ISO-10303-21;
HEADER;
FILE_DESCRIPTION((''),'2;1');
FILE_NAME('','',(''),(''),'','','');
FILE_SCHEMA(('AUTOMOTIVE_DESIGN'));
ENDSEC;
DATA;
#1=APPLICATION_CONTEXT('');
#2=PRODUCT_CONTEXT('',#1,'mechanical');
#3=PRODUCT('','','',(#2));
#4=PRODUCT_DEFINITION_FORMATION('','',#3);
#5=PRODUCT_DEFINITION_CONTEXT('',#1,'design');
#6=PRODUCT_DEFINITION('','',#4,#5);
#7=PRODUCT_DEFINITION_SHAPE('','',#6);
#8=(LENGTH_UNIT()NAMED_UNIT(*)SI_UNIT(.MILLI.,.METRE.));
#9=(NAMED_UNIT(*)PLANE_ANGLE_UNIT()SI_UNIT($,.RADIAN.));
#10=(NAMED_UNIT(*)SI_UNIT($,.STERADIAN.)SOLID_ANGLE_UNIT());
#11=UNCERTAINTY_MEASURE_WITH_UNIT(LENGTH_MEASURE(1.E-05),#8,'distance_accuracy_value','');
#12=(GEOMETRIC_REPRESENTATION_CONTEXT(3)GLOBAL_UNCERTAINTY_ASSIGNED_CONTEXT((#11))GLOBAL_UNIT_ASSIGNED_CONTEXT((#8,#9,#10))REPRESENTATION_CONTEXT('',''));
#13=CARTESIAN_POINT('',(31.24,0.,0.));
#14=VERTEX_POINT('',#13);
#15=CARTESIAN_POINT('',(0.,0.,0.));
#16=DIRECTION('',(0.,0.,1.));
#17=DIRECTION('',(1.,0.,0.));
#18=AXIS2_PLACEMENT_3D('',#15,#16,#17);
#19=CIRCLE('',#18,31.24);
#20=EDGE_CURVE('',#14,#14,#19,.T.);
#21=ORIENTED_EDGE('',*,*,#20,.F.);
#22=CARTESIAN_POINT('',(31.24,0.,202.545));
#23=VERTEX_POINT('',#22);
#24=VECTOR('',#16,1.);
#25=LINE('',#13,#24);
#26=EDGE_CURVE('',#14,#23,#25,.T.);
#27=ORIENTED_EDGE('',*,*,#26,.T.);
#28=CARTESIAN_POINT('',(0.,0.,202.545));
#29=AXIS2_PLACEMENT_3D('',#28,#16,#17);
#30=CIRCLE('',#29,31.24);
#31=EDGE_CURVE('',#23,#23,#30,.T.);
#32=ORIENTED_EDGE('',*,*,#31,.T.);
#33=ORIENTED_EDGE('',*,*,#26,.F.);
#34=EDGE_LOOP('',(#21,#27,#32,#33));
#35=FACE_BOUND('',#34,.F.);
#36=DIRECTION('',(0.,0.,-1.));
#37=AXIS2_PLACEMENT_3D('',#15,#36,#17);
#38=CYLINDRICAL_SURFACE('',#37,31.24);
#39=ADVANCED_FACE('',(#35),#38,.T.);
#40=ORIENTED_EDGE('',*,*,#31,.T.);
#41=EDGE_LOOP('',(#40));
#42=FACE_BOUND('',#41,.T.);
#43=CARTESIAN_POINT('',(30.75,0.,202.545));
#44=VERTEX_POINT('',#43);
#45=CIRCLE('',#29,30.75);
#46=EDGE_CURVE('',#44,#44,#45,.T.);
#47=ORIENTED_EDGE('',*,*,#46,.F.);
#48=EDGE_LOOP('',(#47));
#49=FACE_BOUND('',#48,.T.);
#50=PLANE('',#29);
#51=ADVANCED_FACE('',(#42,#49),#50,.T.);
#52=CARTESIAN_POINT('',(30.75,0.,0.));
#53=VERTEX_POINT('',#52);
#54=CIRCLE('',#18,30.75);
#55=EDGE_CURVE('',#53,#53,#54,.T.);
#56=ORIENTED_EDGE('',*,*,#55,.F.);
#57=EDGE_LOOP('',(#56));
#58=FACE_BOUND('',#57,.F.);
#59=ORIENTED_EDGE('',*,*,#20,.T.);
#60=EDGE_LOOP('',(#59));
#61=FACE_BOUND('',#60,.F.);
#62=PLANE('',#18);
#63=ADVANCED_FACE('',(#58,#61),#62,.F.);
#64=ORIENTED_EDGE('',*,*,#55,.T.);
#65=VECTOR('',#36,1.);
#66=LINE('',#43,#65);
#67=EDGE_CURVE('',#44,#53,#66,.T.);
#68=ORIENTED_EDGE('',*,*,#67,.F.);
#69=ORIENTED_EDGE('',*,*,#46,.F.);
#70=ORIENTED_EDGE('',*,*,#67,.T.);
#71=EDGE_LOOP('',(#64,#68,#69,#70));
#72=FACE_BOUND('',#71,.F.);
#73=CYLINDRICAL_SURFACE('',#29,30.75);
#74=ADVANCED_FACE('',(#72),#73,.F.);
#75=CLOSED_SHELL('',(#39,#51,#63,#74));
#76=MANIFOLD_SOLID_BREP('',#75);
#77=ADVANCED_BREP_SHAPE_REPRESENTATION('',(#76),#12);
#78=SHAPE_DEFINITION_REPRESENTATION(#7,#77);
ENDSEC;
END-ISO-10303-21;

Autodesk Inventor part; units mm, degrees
ref_plane "YZ Plane" through (0, 0, 0) normal (1, 0, 0) x (0, 1, 0)
ref_plane "XZ Plane" through (0, 0, 0) normal (0, 1, 0) x (-1, 0, 0)
ref_plane "XY Plane" through (0, 0, 0) normal (0, 0, 1) x (1, 0, 0)
sketch "Sketch1" plane through (0, 0, 0) normal (0, 0, 1) x (1, 0, 0)
  circle A0 centre (0, 0) radius 31.24
  dimension "d0" = 62.48
extrude "Extrusion1" add sketch "Sketch1" along normal blind 202.545
sketch "Sketch2" plane through (0, 0, 202.545) normal (0, 0, 1) x (1, 0, 0)
  point P0 (0, 0)
sketch "Sketch3" plane through (0, 0, 202.545) normal (0, 0, 1) x (1, 0, 0)
  circle A0 centre (0, 0) radius 30.75
  dimension "d3" = 61.5
extrude "Extrusion2" cut sketch "Sketch3" against normal through all
properties part number "BNG_REV_00"
